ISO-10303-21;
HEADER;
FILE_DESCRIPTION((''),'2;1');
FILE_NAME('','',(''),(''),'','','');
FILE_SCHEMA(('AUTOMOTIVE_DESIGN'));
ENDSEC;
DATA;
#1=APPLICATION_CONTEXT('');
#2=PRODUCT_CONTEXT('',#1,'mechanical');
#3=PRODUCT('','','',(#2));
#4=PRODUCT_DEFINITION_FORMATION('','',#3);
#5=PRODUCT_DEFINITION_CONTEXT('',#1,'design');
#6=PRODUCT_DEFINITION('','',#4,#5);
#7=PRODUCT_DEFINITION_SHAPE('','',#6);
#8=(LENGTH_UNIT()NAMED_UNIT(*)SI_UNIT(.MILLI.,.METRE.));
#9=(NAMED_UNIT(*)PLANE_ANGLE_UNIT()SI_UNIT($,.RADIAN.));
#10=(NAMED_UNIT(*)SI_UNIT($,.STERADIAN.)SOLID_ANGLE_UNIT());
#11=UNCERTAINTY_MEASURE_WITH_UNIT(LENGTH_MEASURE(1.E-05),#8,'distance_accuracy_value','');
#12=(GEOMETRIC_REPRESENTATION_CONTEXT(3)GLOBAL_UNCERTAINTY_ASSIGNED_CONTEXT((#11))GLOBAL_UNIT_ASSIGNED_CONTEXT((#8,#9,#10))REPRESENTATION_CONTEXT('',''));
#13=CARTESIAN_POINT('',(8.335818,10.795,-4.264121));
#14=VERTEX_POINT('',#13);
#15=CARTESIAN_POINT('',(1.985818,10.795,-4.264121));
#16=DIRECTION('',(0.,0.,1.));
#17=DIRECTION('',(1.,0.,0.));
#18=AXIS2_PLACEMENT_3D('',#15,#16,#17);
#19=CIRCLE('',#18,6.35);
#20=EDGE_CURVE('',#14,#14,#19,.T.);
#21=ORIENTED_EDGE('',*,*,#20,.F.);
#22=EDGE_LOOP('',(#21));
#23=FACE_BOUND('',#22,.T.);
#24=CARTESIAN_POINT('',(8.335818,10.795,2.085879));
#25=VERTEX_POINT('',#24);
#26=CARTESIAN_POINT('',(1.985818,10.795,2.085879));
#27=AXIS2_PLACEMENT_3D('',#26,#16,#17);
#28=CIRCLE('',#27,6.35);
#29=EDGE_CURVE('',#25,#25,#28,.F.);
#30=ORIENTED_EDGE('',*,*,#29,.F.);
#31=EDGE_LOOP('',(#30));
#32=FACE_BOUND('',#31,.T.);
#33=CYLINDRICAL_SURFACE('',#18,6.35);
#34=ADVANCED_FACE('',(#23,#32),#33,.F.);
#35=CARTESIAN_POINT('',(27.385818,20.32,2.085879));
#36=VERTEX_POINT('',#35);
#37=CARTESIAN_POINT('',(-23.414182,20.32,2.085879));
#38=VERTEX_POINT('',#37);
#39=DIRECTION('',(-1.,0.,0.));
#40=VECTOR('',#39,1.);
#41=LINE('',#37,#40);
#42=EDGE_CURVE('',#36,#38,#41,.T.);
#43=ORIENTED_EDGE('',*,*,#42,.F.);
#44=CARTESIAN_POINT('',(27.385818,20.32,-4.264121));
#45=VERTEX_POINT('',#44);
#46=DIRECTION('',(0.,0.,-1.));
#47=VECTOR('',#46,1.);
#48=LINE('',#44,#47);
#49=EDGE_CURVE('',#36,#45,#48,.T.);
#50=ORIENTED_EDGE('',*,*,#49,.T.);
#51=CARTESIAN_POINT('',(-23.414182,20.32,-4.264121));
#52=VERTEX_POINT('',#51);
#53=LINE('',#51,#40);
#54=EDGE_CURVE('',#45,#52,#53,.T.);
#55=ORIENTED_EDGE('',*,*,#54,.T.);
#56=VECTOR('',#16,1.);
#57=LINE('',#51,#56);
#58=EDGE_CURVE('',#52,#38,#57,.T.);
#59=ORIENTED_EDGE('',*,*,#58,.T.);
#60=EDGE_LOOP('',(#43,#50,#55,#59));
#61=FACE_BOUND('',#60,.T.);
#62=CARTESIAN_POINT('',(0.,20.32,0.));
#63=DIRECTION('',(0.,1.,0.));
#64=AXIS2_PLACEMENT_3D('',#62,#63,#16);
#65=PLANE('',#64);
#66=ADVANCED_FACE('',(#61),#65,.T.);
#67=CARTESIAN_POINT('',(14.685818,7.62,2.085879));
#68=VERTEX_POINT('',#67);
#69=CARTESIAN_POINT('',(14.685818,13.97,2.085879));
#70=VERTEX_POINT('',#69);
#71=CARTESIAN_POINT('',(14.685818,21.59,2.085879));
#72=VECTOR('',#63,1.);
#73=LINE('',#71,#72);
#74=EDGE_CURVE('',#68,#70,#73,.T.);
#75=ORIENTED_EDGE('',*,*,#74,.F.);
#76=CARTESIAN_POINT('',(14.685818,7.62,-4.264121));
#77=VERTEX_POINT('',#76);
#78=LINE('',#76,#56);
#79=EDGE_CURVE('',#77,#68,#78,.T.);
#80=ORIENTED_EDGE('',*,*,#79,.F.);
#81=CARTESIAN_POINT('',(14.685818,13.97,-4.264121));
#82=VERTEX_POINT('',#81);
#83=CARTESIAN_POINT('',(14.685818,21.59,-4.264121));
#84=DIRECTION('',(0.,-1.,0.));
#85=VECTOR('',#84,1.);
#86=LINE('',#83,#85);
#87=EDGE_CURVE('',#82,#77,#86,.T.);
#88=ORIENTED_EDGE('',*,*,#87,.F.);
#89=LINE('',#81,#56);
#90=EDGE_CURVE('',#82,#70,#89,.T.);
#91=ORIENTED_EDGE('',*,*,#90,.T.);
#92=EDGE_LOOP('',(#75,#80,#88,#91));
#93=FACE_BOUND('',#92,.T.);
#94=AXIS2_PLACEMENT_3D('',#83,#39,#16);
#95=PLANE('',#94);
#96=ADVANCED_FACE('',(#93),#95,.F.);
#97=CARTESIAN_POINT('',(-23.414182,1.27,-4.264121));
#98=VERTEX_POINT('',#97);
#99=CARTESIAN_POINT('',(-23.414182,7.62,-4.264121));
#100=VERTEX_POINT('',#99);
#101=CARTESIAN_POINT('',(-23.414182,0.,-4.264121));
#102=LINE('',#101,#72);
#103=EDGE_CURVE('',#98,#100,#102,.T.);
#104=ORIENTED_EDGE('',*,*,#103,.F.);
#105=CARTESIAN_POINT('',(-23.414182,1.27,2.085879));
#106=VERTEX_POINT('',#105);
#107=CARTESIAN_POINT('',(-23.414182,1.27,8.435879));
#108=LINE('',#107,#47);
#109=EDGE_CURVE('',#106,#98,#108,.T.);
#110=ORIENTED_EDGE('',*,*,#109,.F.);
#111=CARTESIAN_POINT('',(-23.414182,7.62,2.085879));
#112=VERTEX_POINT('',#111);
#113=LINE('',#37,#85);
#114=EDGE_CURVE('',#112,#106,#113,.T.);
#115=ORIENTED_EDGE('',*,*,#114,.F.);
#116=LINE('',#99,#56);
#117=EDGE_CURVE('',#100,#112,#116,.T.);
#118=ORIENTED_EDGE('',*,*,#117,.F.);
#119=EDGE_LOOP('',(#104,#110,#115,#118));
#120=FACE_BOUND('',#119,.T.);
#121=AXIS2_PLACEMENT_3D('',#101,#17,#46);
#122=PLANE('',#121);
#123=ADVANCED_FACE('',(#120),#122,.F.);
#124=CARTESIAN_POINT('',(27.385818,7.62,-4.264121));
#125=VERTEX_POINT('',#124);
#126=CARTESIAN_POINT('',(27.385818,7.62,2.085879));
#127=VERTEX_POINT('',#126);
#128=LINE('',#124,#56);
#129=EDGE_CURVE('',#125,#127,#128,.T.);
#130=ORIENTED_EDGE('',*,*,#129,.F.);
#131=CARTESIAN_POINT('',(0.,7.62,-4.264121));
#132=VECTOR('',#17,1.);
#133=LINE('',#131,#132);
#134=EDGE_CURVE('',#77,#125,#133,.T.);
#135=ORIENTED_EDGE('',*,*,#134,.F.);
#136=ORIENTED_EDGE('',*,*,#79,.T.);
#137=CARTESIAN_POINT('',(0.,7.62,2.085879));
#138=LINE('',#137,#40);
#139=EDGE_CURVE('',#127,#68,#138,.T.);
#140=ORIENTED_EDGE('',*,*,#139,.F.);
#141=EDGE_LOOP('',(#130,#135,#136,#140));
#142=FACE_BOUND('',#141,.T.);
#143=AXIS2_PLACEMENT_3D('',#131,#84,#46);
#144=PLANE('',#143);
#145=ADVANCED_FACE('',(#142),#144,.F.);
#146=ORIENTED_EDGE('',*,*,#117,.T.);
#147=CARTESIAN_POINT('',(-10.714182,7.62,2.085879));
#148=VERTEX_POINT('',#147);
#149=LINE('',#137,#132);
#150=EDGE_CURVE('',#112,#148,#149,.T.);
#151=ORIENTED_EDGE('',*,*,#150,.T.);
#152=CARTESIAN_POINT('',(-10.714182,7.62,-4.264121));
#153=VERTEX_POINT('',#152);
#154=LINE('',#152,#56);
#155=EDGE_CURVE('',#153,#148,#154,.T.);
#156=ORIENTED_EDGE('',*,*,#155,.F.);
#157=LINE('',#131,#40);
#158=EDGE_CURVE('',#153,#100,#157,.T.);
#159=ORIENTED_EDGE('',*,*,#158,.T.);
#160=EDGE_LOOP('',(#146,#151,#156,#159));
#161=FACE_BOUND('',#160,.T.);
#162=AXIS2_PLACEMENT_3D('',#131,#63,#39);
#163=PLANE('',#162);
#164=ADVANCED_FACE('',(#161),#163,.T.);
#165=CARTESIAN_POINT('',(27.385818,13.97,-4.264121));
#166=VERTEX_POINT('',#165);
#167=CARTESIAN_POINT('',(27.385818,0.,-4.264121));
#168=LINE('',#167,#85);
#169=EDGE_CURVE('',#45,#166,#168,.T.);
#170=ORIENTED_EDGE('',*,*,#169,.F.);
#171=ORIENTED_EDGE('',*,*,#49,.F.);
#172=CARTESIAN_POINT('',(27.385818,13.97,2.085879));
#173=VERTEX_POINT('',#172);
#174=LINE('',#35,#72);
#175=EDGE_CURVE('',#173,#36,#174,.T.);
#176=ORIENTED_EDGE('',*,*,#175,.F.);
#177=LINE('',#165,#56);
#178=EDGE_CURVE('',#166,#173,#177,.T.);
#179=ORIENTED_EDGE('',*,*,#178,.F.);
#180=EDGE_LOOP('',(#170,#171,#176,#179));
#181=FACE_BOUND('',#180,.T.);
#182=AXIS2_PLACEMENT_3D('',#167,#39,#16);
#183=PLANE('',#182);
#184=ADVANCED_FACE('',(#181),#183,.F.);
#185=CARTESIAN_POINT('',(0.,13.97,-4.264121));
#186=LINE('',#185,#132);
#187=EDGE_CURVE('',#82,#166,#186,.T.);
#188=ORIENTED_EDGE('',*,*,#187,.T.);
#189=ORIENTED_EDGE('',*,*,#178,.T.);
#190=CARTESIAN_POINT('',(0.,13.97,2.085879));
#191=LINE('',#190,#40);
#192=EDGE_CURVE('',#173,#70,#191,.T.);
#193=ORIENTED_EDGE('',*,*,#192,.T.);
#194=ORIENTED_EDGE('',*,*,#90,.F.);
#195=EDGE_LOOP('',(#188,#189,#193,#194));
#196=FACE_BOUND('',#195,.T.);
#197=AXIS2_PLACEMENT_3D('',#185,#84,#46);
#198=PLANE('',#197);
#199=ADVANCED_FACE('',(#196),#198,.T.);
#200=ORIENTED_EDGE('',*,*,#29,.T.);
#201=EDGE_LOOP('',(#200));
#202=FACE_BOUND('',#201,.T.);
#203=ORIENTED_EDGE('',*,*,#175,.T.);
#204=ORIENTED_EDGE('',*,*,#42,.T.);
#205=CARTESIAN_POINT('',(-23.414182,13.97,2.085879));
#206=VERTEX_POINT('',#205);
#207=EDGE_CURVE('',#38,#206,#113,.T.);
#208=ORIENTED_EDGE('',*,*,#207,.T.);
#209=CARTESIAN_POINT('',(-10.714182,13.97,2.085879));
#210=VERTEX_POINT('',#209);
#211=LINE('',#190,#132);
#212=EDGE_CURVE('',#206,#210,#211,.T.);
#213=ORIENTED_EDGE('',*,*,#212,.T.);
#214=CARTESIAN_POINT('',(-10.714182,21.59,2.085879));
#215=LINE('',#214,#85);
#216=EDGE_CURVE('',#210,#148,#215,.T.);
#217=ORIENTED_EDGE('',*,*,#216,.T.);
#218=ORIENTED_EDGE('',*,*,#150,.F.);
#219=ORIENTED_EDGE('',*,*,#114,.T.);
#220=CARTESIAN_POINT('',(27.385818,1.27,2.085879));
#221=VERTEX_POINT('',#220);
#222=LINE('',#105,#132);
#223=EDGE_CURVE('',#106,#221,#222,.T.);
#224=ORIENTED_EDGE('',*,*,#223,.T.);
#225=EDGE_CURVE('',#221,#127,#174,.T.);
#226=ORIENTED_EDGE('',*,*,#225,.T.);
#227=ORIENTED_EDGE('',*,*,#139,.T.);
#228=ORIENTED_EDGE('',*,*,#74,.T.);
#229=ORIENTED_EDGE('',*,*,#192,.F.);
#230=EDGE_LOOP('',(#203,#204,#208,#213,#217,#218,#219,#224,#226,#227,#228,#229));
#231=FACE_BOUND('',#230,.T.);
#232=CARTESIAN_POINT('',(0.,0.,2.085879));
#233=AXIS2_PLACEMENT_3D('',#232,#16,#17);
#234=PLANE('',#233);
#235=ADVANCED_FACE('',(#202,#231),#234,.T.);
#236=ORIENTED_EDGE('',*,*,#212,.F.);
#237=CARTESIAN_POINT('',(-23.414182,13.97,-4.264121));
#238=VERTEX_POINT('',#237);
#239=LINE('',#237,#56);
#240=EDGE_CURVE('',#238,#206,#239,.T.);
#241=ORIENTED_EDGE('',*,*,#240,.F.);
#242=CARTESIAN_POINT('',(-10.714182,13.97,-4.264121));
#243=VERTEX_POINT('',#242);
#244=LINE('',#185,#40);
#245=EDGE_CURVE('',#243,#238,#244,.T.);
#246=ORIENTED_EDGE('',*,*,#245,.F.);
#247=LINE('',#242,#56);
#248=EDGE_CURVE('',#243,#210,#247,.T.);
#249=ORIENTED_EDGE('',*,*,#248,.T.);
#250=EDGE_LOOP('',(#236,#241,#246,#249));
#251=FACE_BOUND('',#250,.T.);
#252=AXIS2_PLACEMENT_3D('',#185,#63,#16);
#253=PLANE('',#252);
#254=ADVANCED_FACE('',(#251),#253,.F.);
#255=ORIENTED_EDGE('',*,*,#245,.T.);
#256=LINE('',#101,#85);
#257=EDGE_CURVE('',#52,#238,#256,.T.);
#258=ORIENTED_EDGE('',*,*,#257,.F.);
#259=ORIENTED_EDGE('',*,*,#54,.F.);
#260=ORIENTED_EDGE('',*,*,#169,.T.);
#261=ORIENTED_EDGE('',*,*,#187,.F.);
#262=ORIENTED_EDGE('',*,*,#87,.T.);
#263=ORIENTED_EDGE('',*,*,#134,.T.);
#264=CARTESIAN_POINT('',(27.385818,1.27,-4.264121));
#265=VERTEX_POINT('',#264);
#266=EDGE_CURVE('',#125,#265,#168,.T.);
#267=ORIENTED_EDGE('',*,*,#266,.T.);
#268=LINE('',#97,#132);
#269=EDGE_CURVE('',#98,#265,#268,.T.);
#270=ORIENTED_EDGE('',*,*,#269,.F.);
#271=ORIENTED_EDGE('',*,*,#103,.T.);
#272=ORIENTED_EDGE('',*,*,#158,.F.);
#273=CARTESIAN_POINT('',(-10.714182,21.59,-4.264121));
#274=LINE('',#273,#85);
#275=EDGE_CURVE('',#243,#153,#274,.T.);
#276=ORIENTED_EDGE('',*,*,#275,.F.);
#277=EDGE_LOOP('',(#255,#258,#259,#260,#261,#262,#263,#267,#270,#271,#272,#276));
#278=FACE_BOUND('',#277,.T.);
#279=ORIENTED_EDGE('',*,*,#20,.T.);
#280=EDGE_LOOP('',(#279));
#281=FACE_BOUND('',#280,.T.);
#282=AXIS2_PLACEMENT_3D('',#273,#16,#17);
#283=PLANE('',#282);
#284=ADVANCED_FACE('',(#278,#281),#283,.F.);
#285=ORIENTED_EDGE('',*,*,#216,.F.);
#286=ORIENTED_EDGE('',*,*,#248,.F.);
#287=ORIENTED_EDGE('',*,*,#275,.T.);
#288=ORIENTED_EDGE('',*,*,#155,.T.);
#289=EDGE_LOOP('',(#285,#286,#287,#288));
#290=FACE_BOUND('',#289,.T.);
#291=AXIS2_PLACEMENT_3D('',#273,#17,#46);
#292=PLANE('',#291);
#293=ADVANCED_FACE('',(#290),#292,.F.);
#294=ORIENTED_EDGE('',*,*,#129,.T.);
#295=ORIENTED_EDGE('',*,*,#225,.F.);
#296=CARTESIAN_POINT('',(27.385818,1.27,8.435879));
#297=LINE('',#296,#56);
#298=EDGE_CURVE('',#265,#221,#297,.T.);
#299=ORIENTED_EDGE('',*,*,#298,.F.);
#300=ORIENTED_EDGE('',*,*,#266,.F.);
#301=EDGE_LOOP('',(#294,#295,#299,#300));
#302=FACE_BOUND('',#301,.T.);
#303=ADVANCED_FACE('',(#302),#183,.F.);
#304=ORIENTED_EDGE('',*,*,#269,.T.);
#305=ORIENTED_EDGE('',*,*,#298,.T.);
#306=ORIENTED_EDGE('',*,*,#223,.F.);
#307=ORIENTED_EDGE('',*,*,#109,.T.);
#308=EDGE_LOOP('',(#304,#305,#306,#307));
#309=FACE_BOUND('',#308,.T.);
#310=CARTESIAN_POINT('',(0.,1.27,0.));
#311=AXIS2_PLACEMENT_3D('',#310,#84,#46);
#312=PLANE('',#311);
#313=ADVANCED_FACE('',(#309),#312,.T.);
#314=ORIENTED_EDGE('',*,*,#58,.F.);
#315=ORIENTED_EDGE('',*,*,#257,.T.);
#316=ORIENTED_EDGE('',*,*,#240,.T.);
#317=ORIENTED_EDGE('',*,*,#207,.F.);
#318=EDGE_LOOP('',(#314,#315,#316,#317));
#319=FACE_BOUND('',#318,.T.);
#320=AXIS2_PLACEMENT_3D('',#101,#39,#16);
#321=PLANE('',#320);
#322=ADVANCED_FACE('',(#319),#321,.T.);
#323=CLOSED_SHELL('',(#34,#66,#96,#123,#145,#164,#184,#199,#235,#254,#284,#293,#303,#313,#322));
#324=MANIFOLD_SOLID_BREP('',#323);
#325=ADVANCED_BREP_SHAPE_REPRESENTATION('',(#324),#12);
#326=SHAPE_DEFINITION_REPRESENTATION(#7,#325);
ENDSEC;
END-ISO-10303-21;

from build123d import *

# Parameters (mm, degrees)
SKETCH2_W           = 25.4
SKETCH2_H           = 12.7
BOSS_EXTRUDE1_DEPTH = 21.59
SKETCH3_W           = 12.7
SKETCH3_H           = 7.62
BOSS_EXTRUDE2_DEPTH = 12.7
SKETCH4_R           = 6.35
CUT_EXTRUDE1_DEPTH  = 13.7
SKETCH6_W           = 50.8
SKETCH6_H           = 12.7
CUT_EXTRUDE2_DEPTH  = 1.27
SKETCH7_W           = 50.8
SKETCH7_H           = 12.7
CUT_EXTRUDE3_DEPTH  = 1.27
SKETCH8_W           = 50.8
SKETCH8_H           = 19.05
CUT_EXTRUDE4_DEPTH  = 6.35


with BuildPart() as part:
    # Sketch2 → Boss-Extrude1 (new body)
    with BuildSketch(Plane(origin=(0, 0, 0), x_dir=(1, 0, 0), z_dir=(0, 1, 0))):
        with Locations((1.985818182, -2.085878788)):
            Rectangle(SKETCH2_W, SKETCH2_H)
    extrude(amount=BOSS_EXTRUDE1_DEPTH)

    # Sketch3 → Boss-Extrude2 (add)
    with BuildSketch(Plane.XY.offset(8.435878788)):
        with Locations((-17.064181818, 17.78)):
            Rectangle(SKETCH3_W, SKETCH3_H)
        with Locations((-17.064181818, 3.81)):
            Rectangle(SKETCH3_W, SKETCH3_H)
        with Locations((21.035818182, 17.78)):
            Rectangle(SKETCH3_W, SKETCH3_H)
        with Locations((21.035818182, 3.81)):
            Rectangle(SKETCH3_W, SKETCH3_H)
    extrude(amount=-BOSS_EXTRUDE2_DEPTH)

    # Sketch4 → Cut-Extrude1 (cut, through all)
    with BuildSketch(Plane.XY.offset(8.435878788)):
        with Locations((1.985818182, 10.795)):
            Circle(SKETCH4_R)
    extrude(amount=-CUT_EXTRUDE1_DEPTH, mode=Mode.SUBTRACT)

    # Sketch6 → Cut-Extrude2 (cut)
    with BuildSketch(Plane(origin=(0, 21.59, 0), x_dir=(1, 0, 0), z_dir=(0, 1, 0))):
        with Locations((1.985818182, -2.085878788)):
            Rectangle(SKETCH6_W, SKETCH6_H)
    extrude(amount=-CUT_EXTRUDE2_DEPTH, mode=Mode.SUBTRACT)

    # Sketch7 → Cut-Extrude3 (cut)
    with BuildSketch(Plane.XZ):
        with Locations((1.985818182, 2.085878788)):
            Rectangle(SKETCH7_W, SKETCH7_H)
    extrude(amount=-CUT_EXTRUDE3_DEPTH, mode=Mode.SUBTRACT)

    # Sketch8 → Cut-Extrude4 (cut)
    with BuildSketch(Plane.XY.offset(8.435878788)):
        with Locations((1.985818182, 10.795)):
            Rectangle(SKETCH8_W, SKETCH8_H)
    extrude(amount=-CUT_EXTRUDE4_DEPTH, mode=Mode.SUBTRACT)


solid = part.part
